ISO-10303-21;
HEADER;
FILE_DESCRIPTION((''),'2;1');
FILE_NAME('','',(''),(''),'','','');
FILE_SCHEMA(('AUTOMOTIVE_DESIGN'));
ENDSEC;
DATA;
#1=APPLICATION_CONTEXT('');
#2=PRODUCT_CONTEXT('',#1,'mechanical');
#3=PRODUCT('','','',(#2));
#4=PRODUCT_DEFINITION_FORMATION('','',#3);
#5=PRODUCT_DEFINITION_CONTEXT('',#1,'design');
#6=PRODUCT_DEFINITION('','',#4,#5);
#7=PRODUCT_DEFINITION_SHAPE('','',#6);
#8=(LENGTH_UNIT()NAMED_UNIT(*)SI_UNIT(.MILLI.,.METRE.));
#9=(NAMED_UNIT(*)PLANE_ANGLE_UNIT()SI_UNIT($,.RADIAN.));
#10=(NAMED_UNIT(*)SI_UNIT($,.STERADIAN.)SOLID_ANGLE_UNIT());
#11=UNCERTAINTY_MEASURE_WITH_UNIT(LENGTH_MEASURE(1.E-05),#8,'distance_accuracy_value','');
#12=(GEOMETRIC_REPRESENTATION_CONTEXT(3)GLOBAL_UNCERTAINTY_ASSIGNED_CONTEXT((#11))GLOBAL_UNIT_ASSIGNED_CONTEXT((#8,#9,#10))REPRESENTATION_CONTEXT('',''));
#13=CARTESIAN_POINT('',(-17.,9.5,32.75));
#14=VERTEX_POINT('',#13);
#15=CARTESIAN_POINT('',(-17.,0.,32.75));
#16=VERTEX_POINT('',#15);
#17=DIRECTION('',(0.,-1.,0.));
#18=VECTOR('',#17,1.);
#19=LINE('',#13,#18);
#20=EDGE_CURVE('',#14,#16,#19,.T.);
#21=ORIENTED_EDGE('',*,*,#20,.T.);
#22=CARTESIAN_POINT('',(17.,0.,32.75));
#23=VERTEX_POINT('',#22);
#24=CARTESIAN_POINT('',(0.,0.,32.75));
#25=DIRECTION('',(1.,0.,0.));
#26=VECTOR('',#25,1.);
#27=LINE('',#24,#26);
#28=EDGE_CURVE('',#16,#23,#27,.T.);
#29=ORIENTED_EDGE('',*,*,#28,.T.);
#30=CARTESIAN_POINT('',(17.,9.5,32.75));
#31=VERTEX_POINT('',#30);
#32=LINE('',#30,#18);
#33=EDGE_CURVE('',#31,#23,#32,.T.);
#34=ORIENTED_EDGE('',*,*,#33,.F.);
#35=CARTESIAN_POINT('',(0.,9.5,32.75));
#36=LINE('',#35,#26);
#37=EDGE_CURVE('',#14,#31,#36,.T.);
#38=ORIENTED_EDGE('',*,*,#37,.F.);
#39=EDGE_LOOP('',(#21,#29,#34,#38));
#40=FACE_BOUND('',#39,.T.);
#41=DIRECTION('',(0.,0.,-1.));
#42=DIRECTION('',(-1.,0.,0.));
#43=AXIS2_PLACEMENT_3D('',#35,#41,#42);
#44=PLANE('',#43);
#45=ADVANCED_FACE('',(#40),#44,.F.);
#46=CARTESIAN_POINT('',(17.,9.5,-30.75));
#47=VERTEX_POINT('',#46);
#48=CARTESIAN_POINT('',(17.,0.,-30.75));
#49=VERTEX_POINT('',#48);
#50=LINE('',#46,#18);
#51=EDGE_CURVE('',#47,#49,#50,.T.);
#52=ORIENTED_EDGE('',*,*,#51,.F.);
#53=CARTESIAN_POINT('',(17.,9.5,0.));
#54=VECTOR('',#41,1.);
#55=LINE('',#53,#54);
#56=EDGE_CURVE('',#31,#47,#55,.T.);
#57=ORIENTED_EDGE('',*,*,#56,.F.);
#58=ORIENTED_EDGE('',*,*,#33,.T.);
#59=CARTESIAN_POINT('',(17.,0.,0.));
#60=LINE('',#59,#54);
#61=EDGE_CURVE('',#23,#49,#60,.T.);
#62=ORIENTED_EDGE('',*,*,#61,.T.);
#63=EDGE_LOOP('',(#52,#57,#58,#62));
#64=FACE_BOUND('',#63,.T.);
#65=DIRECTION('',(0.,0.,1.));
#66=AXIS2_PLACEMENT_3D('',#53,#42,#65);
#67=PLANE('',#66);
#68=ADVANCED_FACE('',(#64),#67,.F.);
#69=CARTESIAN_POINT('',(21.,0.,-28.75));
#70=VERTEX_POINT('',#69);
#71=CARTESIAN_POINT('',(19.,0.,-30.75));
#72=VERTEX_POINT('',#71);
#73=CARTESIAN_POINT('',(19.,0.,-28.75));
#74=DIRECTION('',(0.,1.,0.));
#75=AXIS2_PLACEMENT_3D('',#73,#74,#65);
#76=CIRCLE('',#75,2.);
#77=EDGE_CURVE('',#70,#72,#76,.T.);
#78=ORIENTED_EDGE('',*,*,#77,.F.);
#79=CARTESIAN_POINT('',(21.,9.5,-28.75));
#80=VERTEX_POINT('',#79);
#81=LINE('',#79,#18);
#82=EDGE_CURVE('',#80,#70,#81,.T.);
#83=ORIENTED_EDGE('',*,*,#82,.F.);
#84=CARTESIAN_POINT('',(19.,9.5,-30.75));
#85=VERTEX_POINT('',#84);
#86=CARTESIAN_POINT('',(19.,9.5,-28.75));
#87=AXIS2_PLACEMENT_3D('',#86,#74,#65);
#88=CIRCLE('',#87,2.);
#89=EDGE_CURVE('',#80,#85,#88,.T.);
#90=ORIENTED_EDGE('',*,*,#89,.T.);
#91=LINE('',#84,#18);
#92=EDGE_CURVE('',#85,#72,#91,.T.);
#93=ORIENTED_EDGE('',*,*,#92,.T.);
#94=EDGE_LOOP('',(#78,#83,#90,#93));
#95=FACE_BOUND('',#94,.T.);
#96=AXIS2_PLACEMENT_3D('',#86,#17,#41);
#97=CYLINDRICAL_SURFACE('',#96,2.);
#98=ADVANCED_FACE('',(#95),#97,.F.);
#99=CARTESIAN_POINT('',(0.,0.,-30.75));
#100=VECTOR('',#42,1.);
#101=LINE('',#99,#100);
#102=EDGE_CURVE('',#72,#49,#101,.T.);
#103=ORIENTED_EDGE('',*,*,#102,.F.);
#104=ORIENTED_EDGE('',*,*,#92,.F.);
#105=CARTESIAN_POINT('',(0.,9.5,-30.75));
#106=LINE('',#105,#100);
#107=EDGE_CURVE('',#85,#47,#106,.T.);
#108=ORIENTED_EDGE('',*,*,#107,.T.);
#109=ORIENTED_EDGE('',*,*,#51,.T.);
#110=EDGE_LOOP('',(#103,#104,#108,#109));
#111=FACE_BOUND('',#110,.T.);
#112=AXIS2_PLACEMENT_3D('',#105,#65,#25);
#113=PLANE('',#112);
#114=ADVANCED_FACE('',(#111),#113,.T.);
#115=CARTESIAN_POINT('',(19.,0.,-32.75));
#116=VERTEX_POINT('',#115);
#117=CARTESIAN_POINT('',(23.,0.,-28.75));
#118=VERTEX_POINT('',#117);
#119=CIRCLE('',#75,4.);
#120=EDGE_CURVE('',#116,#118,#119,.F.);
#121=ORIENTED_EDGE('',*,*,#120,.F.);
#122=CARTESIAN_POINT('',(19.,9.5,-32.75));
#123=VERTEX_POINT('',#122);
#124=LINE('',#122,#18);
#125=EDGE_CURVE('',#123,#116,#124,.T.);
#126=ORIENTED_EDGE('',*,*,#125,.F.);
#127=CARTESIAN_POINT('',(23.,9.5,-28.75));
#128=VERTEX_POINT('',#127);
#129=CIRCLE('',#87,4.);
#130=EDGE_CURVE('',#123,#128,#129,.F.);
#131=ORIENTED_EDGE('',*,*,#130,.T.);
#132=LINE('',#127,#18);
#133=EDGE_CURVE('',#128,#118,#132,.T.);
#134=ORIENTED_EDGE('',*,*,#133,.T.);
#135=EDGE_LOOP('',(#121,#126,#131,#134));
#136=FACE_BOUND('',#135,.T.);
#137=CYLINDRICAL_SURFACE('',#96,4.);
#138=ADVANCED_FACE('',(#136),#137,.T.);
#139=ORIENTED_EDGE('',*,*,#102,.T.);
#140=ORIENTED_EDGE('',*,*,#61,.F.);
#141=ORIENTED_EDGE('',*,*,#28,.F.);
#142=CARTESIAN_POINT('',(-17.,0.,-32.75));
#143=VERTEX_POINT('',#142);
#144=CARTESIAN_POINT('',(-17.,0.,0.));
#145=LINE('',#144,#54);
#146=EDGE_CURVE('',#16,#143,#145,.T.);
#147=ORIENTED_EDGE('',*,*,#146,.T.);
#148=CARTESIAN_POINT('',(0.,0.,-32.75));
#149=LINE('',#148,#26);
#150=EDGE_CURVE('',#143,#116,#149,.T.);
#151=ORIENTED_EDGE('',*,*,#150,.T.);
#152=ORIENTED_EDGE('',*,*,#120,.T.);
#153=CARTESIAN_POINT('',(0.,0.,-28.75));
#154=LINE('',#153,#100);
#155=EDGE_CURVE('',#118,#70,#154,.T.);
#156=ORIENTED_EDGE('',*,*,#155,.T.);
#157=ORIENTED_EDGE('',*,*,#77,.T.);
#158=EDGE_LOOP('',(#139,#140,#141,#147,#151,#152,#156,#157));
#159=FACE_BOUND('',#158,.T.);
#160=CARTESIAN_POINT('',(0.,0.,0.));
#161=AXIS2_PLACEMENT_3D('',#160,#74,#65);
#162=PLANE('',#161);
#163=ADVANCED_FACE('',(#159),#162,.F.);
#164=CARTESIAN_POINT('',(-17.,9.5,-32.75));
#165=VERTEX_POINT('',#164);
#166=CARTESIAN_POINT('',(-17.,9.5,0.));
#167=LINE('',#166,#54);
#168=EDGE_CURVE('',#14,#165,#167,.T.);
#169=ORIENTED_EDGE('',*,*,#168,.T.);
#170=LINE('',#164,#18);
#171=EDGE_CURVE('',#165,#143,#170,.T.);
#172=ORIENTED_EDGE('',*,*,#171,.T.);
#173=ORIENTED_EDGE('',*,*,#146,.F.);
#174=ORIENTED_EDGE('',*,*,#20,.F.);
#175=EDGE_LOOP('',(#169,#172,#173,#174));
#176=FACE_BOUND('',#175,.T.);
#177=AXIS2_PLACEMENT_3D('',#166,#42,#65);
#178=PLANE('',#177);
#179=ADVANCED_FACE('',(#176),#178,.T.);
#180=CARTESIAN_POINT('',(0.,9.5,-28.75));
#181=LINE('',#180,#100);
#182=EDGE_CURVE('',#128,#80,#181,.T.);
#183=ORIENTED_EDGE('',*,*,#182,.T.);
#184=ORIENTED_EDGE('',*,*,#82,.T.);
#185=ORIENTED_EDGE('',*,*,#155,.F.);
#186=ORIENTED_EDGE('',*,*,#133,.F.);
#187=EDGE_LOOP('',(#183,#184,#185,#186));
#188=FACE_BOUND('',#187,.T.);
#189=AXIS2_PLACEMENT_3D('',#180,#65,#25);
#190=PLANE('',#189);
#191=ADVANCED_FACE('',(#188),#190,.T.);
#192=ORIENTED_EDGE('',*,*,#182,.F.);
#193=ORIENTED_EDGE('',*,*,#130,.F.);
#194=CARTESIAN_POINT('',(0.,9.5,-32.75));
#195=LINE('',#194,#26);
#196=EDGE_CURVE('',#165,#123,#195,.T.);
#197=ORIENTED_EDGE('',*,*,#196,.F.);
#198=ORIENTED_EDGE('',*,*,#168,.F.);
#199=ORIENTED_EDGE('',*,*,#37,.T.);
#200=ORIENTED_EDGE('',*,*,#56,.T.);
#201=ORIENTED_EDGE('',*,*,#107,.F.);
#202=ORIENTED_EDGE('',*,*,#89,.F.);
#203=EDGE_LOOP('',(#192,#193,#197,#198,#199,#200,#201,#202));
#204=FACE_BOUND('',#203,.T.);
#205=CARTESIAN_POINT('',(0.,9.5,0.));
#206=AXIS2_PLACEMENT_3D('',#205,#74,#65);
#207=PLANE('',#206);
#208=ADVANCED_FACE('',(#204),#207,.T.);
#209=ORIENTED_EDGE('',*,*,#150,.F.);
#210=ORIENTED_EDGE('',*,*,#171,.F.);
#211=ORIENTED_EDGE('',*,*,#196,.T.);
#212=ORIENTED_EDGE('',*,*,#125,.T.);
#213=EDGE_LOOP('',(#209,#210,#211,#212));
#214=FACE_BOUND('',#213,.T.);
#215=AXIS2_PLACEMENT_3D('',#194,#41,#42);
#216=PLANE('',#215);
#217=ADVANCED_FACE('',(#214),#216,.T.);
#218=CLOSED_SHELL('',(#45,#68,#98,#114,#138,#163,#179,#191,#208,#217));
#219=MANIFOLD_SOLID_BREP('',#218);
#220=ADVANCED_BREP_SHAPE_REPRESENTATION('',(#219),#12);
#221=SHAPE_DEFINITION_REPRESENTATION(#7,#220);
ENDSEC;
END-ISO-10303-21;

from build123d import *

# Parameters (mm, degrees)
SKETCH1_W           = 34
SKETCH1_H           = 65.5
BOSS_EXTRUDE1_DEPTH = 9.5


with BuildPart() as part:
    # Sketch1 → Boss-Extrude1 (new body)
    with BuildSketch(Plane(origin=(0, 0, 0), x_dir=(1, 0, 0), z_dir=(0, 1, 0))):
        Rectangle(SKETCH1_W, SKETCH1_H)
        with BuildLine():
            Line((19, 32.75), (17, 32.75))
            Line((17, 32.75), (17, 30.75))
            Line((17, 30.75), (19, 30.75))
            ThreePointArc((19, 30.75), (20.414213562, 30.164213562), (21, 28.75))
            Line((21, 28.75), (23, 28.75))
            ThreePointArc((23, 28.75), (21.828427125, 31.578427125), (19, 32.75))
        make_face()
    extrude(amount=BOSS_EXTRUDE1_DEPTH)


solid = part.part
